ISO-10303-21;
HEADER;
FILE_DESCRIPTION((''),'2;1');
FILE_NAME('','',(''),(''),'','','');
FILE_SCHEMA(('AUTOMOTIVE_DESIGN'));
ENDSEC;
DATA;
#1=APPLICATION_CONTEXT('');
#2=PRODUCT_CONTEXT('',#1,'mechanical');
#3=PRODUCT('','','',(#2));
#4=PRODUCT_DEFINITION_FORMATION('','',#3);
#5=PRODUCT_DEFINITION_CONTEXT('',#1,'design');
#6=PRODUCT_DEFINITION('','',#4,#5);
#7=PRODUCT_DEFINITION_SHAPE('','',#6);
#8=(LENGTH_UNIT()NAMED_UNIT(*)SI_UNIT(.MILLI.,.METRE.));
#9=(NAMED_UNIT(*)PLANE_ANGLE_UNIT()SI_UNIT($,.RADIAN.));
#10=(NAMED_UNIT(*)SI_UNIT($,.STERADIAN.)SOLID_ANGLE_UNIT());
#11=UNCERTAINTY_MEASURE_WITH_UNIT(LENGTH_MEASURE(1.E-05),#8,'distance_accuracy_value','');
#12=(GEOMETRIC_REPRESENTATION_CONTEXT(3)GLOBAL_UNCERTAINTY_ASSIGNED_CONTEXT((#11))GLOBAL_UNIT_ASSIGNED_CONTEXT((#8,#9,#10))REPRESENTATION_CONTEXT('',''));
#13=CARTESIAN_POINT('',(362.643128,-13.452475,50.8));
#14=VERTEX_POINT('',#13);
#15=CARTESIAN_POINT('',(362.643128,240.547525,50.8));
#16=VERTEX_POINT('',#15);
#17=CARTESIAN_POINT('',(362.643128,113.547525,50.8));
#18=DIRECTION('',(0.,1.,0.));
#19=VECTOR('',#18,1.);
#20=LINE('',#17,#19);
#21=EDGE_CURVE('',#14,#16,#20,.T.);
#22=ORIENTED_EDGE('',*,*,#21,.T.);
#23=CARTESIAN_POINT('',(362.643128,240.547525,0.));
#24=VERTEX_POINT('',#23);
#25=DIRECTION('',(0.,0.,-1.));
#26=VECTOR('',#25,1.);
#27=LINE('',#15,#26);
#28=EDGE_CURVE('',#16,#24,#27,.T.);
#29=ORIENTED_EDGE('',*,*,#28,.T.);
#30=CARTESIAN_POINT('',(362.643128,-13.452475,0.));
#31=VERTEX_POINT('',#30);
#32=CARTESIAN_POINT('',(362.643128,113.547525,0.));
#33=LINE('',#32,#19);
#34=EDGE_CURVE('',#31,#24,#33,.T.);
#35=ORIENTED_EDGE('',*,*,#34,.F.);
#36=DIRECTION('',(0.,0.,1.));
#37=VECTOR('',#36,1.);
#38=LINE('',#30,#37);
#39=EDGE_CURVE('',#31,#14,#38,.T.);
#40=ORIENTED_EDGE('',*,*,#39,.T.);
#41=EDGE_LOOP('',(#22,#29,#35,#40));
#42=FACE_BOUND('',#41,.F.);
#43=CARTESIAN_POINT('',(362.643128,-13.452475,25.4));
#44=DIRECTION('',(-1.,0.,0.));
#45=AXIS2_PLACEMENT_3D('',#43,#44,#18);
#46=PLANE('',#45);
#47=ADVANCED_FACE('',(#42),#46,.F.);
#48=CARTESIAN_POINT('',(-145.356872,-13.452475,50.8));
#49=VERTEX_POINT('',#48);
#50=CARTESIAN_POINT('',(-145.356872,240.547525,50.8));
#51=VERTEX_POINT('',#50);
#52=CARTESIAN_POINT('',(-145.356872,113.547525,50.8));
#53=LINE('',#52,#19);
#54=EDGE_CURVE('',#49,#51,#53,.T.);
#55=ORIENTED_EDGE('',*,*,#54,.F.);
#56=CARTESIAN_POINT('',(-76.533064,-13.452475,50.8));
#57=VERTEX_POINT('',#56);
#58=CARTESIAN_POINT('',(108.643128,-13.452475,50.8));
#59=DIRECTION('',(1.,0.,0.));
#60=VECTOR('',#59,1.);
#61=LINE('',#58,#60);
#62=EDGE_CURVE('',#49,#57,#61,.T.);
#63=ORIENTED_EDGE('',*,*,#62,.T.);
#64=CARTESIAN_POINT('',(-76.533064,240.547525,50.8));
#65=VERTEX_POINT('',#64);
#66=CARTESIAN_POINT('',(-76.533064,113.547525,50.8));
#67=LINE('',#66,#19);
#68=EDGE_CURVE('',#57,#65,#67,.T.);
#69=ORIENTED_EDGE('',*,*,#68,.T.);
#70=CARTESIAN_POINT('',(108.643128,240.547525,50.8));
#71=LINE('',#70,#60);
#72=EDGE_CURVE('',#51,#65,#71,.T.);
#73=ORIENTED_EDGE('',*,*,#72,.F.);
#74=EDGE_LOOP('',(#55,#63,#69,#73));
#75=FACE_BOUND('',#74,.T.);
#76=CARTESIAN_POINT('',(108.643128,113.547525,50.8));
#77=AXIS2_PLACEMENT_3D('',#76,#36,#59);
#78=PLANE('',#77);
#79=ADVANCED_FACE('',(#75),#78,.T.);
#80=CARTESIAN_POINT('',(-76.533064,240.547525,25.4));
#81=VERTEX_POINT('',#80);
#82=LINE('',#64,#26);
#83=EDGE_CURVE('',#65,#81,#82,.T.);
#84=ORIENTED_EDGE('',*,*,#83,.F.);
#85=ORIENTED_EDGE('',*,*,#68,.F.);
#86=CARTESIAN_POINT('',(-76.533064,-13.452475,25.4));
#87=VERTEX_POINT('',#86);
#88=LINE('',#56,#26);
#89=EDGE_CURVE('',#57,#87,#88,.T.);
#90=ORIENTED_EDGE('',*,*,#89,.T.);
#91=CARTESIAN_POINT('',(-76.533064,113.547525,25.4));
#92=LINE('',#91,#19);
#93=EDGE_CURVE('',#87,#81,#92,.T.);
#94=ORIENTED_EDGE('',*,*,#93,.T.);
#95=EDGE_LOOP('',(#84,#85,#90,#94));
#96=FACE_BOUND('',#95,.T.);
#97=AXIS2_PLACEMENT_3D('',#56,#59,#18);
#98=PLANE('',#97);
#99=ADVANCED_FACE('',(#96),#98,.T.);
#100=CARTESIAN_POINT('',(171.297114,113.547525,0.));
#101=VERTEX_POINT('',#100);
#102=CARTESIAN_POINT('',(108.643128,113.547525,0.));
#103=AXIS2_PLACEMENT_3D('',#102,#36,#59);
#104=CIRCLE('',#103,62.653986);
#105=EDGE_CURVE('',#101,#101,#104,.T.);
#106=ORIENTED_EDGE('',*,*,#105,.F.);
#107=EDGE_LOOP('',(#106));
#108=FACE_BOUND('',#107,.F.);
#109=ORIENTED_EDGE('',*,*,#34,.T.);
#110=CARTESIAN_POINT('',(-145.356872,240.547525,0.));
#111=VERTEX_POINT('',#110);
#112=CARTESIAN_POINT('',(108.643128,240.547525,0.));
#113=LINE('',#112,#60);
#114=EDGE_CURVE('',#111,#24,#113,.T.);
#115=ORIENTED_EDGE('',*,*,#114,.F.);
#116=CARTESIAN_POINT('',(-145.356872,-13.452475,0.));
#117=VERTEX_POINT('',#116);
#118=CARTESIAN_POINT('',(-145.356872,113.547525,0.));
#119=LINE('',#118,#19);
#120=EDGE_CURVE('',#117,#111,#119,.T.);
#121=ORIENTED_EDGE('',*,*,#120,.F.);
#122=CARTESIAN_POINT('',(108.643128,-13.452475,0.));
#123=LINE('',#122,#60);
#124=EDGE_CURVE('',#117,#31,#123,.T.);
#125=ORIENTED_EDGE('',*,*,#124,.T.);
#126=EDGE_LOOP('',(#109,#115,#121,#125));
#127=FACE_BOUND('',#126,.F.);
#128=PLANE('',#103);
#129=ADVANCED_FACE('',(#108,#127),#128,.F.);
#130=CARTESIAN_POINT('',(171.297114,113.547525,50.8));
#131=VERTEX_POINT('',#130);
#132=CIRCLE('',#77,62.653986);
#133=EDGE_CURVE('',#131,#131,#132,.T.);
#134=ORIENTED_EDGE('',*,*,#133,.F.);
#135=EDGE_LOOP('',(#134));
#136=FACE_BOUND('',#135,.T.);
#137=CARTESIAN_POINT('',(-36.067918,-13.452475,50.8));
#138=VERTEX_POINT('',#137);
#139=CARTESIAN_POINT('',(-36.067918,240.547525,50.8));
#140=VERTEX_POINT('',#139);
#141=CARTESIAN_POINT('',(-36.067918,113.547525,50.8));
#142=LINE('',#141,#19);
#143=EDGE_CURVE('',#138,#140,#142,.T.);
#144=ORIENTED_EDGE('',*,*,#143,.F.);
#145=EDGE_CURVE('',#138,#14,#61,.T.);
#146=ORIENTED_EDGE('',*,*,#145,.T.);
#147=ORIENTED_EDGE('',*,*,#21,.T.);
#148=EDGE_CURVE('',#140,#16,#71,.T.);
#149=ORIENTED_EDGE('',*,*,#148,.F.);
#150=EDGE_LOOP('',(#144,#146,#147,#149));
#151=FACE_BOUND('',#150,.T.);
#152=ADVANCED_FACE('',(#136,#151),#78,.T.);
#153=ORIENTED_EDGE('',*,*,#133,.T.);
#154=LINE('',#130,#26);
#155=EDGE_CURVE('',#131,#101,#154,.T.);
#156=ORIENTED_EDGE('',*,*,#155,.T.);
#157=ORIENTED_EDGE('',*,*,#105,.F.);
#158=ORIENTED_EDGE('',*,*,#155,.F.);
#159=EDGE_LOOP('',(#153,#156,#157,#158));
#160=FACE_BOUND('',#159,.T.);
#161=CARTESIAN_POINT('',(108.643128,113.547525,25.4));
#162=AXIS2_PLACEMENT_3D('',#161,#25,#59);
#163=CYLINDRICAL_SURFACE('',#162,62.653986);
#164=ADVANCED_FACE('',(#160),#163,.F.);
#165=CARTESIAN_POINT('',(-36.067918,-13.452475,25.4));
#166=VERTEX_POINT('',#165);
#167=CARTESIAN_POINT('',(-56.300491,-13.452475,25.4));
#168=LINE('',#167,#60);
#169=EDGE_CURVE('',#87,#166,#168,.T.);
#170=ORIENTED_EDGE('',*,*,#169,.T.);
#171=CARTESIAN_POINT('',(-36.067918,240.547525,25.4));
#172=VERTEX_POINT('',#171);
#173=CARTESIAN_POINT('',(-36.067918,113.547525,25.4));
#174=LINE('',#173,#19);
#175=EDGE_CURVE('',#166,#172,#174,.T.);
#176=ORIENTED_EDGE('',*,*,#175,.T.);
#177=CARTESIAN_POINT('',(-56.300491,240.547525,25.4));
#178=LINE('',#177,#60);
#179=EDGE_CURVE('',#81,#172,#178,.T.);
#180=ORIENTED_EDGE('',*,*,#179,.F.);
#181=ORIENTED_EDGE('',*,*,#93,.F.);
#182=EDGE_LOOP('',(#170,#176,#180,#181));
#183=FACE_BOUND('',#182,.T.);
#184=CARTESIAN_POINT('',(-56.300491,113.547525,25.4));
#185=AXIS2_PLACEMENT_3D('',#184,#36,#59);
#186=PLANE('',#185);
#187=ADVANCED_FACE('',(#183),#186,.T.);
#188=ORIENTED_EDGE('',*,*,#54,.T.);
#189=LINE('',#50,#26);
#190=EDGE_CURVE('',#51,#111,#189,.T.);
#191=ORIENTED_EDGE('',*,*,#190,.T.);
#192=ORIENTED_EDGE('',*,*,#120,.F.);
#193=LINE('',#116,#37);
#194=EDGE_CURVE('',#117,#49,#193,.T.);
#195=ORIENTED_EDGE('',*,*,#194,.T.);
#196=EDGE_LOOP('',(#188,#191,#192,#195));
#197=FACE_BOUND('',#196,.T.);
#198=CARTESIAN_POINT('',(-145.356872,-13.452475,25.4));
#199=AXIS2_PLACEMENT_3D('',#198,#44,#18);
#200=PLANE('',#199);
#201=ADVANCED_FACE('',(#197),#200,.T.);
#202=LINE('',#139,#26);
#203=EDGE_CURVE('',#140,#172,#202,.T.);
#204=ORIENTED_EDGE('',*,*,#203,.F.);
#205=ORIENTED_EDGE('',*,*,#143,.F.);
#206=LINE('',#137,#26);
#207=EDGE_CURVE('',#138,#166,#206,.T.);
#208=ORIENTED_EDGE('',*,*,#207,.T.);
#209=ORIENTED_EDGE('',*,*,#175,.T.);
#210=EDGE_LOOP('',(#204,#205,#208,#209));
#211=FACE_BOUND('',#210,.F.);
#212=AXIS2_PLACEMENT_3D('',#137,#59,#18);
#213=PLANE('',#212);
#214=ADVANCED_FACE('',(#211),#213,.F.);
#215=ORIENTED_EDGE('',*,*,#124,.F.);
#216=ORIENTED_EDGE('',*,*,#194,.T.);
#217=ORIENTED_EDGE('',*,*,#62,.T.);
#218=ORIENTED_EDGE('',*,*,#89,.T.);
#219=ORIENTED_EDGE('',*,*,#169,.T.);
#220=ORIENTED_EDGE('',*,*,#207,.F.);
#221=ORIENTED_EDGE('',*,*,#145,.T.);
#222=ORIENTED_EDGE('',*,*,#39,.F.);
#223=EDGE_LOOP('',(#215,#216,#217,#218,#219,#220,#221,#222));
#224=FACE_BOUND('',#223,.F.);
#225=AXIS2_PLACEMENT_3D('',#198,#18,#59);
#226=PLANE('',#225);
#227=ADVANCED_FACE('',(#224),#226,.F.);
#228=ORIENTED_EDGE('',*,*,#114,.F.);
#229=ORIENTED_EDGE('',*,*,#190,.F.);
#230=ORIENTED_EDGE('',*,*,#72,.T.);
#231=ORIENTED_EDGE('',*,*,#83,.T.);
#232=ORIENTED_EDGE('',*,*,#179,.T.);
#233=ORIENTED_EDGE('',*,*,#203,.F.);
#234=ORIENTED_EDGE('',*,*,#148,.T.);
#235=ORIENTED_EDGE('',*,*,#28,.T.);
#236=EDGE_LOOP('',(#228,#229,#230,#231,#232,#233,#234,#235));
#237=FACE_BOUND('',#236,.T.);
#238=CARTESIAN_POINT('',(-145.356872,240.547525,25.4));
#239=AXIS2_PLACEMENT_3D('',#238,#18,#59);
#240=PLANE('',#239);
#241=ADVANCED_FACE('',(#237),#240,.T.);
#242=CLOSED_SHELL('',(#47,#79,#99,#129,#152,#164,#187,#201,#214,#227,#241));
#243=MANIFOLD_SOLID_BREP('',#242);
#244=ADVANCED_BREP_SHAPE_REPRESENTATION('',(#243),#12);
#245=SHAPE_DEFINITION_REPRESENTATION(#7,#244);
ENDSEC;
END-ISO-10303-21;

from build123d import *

# Parameters (mm, degrees)
F0_W      = 508
F0_H      = 254
F0_R      = 62.653986
F1_DEPTH  = 25.4
F1_FACE_W = 508
F1_FACE_H = 254
F1_FACE_R = 62.653986
F2_DEPTH  = 25.4
F3_W      = 40.465146
F3_H      = 254
F4_DEPTH  = 25.4


with BuildPart() as f1:
    # F0 (on Top) → F1 (new body)
    with BuildSketch(Plane.XY):
        with Locations((108.643128, 113.547525)):
            Rectangle(F0_W, F0_H)
        with Locations((108.643128, 113.547525)):
            Circle(F0_R, mode=Mode.SUBTRACT)
    extrude(amount=F1_DEPTH)

    # F1_face (on face) → F2 (join)
    with BuildSketch(Plane(origin=(108.643128, 113.547525, 25.4), x_dir=(1, 0, 0), z_dir=(0, 0, 1))):
        Rectangle(F1_FACE_W, F1_FACE_H)
        Circle(F1_FACE_R, mode=Mode.SUBTRACT)
    extrude(amount=F2_DEPTH)

    # F3 (on face) → F4 (cut)
    with BuildSketch(Plane.XY.offset(50.8)):
        with Locations((-56.300491, 113.547525)):
            Rectangle(F3_W, F3_H)
    extrude(amount=-F4_DEPTH, mode=Mode.SUBTRACT)


solid = f1.part
